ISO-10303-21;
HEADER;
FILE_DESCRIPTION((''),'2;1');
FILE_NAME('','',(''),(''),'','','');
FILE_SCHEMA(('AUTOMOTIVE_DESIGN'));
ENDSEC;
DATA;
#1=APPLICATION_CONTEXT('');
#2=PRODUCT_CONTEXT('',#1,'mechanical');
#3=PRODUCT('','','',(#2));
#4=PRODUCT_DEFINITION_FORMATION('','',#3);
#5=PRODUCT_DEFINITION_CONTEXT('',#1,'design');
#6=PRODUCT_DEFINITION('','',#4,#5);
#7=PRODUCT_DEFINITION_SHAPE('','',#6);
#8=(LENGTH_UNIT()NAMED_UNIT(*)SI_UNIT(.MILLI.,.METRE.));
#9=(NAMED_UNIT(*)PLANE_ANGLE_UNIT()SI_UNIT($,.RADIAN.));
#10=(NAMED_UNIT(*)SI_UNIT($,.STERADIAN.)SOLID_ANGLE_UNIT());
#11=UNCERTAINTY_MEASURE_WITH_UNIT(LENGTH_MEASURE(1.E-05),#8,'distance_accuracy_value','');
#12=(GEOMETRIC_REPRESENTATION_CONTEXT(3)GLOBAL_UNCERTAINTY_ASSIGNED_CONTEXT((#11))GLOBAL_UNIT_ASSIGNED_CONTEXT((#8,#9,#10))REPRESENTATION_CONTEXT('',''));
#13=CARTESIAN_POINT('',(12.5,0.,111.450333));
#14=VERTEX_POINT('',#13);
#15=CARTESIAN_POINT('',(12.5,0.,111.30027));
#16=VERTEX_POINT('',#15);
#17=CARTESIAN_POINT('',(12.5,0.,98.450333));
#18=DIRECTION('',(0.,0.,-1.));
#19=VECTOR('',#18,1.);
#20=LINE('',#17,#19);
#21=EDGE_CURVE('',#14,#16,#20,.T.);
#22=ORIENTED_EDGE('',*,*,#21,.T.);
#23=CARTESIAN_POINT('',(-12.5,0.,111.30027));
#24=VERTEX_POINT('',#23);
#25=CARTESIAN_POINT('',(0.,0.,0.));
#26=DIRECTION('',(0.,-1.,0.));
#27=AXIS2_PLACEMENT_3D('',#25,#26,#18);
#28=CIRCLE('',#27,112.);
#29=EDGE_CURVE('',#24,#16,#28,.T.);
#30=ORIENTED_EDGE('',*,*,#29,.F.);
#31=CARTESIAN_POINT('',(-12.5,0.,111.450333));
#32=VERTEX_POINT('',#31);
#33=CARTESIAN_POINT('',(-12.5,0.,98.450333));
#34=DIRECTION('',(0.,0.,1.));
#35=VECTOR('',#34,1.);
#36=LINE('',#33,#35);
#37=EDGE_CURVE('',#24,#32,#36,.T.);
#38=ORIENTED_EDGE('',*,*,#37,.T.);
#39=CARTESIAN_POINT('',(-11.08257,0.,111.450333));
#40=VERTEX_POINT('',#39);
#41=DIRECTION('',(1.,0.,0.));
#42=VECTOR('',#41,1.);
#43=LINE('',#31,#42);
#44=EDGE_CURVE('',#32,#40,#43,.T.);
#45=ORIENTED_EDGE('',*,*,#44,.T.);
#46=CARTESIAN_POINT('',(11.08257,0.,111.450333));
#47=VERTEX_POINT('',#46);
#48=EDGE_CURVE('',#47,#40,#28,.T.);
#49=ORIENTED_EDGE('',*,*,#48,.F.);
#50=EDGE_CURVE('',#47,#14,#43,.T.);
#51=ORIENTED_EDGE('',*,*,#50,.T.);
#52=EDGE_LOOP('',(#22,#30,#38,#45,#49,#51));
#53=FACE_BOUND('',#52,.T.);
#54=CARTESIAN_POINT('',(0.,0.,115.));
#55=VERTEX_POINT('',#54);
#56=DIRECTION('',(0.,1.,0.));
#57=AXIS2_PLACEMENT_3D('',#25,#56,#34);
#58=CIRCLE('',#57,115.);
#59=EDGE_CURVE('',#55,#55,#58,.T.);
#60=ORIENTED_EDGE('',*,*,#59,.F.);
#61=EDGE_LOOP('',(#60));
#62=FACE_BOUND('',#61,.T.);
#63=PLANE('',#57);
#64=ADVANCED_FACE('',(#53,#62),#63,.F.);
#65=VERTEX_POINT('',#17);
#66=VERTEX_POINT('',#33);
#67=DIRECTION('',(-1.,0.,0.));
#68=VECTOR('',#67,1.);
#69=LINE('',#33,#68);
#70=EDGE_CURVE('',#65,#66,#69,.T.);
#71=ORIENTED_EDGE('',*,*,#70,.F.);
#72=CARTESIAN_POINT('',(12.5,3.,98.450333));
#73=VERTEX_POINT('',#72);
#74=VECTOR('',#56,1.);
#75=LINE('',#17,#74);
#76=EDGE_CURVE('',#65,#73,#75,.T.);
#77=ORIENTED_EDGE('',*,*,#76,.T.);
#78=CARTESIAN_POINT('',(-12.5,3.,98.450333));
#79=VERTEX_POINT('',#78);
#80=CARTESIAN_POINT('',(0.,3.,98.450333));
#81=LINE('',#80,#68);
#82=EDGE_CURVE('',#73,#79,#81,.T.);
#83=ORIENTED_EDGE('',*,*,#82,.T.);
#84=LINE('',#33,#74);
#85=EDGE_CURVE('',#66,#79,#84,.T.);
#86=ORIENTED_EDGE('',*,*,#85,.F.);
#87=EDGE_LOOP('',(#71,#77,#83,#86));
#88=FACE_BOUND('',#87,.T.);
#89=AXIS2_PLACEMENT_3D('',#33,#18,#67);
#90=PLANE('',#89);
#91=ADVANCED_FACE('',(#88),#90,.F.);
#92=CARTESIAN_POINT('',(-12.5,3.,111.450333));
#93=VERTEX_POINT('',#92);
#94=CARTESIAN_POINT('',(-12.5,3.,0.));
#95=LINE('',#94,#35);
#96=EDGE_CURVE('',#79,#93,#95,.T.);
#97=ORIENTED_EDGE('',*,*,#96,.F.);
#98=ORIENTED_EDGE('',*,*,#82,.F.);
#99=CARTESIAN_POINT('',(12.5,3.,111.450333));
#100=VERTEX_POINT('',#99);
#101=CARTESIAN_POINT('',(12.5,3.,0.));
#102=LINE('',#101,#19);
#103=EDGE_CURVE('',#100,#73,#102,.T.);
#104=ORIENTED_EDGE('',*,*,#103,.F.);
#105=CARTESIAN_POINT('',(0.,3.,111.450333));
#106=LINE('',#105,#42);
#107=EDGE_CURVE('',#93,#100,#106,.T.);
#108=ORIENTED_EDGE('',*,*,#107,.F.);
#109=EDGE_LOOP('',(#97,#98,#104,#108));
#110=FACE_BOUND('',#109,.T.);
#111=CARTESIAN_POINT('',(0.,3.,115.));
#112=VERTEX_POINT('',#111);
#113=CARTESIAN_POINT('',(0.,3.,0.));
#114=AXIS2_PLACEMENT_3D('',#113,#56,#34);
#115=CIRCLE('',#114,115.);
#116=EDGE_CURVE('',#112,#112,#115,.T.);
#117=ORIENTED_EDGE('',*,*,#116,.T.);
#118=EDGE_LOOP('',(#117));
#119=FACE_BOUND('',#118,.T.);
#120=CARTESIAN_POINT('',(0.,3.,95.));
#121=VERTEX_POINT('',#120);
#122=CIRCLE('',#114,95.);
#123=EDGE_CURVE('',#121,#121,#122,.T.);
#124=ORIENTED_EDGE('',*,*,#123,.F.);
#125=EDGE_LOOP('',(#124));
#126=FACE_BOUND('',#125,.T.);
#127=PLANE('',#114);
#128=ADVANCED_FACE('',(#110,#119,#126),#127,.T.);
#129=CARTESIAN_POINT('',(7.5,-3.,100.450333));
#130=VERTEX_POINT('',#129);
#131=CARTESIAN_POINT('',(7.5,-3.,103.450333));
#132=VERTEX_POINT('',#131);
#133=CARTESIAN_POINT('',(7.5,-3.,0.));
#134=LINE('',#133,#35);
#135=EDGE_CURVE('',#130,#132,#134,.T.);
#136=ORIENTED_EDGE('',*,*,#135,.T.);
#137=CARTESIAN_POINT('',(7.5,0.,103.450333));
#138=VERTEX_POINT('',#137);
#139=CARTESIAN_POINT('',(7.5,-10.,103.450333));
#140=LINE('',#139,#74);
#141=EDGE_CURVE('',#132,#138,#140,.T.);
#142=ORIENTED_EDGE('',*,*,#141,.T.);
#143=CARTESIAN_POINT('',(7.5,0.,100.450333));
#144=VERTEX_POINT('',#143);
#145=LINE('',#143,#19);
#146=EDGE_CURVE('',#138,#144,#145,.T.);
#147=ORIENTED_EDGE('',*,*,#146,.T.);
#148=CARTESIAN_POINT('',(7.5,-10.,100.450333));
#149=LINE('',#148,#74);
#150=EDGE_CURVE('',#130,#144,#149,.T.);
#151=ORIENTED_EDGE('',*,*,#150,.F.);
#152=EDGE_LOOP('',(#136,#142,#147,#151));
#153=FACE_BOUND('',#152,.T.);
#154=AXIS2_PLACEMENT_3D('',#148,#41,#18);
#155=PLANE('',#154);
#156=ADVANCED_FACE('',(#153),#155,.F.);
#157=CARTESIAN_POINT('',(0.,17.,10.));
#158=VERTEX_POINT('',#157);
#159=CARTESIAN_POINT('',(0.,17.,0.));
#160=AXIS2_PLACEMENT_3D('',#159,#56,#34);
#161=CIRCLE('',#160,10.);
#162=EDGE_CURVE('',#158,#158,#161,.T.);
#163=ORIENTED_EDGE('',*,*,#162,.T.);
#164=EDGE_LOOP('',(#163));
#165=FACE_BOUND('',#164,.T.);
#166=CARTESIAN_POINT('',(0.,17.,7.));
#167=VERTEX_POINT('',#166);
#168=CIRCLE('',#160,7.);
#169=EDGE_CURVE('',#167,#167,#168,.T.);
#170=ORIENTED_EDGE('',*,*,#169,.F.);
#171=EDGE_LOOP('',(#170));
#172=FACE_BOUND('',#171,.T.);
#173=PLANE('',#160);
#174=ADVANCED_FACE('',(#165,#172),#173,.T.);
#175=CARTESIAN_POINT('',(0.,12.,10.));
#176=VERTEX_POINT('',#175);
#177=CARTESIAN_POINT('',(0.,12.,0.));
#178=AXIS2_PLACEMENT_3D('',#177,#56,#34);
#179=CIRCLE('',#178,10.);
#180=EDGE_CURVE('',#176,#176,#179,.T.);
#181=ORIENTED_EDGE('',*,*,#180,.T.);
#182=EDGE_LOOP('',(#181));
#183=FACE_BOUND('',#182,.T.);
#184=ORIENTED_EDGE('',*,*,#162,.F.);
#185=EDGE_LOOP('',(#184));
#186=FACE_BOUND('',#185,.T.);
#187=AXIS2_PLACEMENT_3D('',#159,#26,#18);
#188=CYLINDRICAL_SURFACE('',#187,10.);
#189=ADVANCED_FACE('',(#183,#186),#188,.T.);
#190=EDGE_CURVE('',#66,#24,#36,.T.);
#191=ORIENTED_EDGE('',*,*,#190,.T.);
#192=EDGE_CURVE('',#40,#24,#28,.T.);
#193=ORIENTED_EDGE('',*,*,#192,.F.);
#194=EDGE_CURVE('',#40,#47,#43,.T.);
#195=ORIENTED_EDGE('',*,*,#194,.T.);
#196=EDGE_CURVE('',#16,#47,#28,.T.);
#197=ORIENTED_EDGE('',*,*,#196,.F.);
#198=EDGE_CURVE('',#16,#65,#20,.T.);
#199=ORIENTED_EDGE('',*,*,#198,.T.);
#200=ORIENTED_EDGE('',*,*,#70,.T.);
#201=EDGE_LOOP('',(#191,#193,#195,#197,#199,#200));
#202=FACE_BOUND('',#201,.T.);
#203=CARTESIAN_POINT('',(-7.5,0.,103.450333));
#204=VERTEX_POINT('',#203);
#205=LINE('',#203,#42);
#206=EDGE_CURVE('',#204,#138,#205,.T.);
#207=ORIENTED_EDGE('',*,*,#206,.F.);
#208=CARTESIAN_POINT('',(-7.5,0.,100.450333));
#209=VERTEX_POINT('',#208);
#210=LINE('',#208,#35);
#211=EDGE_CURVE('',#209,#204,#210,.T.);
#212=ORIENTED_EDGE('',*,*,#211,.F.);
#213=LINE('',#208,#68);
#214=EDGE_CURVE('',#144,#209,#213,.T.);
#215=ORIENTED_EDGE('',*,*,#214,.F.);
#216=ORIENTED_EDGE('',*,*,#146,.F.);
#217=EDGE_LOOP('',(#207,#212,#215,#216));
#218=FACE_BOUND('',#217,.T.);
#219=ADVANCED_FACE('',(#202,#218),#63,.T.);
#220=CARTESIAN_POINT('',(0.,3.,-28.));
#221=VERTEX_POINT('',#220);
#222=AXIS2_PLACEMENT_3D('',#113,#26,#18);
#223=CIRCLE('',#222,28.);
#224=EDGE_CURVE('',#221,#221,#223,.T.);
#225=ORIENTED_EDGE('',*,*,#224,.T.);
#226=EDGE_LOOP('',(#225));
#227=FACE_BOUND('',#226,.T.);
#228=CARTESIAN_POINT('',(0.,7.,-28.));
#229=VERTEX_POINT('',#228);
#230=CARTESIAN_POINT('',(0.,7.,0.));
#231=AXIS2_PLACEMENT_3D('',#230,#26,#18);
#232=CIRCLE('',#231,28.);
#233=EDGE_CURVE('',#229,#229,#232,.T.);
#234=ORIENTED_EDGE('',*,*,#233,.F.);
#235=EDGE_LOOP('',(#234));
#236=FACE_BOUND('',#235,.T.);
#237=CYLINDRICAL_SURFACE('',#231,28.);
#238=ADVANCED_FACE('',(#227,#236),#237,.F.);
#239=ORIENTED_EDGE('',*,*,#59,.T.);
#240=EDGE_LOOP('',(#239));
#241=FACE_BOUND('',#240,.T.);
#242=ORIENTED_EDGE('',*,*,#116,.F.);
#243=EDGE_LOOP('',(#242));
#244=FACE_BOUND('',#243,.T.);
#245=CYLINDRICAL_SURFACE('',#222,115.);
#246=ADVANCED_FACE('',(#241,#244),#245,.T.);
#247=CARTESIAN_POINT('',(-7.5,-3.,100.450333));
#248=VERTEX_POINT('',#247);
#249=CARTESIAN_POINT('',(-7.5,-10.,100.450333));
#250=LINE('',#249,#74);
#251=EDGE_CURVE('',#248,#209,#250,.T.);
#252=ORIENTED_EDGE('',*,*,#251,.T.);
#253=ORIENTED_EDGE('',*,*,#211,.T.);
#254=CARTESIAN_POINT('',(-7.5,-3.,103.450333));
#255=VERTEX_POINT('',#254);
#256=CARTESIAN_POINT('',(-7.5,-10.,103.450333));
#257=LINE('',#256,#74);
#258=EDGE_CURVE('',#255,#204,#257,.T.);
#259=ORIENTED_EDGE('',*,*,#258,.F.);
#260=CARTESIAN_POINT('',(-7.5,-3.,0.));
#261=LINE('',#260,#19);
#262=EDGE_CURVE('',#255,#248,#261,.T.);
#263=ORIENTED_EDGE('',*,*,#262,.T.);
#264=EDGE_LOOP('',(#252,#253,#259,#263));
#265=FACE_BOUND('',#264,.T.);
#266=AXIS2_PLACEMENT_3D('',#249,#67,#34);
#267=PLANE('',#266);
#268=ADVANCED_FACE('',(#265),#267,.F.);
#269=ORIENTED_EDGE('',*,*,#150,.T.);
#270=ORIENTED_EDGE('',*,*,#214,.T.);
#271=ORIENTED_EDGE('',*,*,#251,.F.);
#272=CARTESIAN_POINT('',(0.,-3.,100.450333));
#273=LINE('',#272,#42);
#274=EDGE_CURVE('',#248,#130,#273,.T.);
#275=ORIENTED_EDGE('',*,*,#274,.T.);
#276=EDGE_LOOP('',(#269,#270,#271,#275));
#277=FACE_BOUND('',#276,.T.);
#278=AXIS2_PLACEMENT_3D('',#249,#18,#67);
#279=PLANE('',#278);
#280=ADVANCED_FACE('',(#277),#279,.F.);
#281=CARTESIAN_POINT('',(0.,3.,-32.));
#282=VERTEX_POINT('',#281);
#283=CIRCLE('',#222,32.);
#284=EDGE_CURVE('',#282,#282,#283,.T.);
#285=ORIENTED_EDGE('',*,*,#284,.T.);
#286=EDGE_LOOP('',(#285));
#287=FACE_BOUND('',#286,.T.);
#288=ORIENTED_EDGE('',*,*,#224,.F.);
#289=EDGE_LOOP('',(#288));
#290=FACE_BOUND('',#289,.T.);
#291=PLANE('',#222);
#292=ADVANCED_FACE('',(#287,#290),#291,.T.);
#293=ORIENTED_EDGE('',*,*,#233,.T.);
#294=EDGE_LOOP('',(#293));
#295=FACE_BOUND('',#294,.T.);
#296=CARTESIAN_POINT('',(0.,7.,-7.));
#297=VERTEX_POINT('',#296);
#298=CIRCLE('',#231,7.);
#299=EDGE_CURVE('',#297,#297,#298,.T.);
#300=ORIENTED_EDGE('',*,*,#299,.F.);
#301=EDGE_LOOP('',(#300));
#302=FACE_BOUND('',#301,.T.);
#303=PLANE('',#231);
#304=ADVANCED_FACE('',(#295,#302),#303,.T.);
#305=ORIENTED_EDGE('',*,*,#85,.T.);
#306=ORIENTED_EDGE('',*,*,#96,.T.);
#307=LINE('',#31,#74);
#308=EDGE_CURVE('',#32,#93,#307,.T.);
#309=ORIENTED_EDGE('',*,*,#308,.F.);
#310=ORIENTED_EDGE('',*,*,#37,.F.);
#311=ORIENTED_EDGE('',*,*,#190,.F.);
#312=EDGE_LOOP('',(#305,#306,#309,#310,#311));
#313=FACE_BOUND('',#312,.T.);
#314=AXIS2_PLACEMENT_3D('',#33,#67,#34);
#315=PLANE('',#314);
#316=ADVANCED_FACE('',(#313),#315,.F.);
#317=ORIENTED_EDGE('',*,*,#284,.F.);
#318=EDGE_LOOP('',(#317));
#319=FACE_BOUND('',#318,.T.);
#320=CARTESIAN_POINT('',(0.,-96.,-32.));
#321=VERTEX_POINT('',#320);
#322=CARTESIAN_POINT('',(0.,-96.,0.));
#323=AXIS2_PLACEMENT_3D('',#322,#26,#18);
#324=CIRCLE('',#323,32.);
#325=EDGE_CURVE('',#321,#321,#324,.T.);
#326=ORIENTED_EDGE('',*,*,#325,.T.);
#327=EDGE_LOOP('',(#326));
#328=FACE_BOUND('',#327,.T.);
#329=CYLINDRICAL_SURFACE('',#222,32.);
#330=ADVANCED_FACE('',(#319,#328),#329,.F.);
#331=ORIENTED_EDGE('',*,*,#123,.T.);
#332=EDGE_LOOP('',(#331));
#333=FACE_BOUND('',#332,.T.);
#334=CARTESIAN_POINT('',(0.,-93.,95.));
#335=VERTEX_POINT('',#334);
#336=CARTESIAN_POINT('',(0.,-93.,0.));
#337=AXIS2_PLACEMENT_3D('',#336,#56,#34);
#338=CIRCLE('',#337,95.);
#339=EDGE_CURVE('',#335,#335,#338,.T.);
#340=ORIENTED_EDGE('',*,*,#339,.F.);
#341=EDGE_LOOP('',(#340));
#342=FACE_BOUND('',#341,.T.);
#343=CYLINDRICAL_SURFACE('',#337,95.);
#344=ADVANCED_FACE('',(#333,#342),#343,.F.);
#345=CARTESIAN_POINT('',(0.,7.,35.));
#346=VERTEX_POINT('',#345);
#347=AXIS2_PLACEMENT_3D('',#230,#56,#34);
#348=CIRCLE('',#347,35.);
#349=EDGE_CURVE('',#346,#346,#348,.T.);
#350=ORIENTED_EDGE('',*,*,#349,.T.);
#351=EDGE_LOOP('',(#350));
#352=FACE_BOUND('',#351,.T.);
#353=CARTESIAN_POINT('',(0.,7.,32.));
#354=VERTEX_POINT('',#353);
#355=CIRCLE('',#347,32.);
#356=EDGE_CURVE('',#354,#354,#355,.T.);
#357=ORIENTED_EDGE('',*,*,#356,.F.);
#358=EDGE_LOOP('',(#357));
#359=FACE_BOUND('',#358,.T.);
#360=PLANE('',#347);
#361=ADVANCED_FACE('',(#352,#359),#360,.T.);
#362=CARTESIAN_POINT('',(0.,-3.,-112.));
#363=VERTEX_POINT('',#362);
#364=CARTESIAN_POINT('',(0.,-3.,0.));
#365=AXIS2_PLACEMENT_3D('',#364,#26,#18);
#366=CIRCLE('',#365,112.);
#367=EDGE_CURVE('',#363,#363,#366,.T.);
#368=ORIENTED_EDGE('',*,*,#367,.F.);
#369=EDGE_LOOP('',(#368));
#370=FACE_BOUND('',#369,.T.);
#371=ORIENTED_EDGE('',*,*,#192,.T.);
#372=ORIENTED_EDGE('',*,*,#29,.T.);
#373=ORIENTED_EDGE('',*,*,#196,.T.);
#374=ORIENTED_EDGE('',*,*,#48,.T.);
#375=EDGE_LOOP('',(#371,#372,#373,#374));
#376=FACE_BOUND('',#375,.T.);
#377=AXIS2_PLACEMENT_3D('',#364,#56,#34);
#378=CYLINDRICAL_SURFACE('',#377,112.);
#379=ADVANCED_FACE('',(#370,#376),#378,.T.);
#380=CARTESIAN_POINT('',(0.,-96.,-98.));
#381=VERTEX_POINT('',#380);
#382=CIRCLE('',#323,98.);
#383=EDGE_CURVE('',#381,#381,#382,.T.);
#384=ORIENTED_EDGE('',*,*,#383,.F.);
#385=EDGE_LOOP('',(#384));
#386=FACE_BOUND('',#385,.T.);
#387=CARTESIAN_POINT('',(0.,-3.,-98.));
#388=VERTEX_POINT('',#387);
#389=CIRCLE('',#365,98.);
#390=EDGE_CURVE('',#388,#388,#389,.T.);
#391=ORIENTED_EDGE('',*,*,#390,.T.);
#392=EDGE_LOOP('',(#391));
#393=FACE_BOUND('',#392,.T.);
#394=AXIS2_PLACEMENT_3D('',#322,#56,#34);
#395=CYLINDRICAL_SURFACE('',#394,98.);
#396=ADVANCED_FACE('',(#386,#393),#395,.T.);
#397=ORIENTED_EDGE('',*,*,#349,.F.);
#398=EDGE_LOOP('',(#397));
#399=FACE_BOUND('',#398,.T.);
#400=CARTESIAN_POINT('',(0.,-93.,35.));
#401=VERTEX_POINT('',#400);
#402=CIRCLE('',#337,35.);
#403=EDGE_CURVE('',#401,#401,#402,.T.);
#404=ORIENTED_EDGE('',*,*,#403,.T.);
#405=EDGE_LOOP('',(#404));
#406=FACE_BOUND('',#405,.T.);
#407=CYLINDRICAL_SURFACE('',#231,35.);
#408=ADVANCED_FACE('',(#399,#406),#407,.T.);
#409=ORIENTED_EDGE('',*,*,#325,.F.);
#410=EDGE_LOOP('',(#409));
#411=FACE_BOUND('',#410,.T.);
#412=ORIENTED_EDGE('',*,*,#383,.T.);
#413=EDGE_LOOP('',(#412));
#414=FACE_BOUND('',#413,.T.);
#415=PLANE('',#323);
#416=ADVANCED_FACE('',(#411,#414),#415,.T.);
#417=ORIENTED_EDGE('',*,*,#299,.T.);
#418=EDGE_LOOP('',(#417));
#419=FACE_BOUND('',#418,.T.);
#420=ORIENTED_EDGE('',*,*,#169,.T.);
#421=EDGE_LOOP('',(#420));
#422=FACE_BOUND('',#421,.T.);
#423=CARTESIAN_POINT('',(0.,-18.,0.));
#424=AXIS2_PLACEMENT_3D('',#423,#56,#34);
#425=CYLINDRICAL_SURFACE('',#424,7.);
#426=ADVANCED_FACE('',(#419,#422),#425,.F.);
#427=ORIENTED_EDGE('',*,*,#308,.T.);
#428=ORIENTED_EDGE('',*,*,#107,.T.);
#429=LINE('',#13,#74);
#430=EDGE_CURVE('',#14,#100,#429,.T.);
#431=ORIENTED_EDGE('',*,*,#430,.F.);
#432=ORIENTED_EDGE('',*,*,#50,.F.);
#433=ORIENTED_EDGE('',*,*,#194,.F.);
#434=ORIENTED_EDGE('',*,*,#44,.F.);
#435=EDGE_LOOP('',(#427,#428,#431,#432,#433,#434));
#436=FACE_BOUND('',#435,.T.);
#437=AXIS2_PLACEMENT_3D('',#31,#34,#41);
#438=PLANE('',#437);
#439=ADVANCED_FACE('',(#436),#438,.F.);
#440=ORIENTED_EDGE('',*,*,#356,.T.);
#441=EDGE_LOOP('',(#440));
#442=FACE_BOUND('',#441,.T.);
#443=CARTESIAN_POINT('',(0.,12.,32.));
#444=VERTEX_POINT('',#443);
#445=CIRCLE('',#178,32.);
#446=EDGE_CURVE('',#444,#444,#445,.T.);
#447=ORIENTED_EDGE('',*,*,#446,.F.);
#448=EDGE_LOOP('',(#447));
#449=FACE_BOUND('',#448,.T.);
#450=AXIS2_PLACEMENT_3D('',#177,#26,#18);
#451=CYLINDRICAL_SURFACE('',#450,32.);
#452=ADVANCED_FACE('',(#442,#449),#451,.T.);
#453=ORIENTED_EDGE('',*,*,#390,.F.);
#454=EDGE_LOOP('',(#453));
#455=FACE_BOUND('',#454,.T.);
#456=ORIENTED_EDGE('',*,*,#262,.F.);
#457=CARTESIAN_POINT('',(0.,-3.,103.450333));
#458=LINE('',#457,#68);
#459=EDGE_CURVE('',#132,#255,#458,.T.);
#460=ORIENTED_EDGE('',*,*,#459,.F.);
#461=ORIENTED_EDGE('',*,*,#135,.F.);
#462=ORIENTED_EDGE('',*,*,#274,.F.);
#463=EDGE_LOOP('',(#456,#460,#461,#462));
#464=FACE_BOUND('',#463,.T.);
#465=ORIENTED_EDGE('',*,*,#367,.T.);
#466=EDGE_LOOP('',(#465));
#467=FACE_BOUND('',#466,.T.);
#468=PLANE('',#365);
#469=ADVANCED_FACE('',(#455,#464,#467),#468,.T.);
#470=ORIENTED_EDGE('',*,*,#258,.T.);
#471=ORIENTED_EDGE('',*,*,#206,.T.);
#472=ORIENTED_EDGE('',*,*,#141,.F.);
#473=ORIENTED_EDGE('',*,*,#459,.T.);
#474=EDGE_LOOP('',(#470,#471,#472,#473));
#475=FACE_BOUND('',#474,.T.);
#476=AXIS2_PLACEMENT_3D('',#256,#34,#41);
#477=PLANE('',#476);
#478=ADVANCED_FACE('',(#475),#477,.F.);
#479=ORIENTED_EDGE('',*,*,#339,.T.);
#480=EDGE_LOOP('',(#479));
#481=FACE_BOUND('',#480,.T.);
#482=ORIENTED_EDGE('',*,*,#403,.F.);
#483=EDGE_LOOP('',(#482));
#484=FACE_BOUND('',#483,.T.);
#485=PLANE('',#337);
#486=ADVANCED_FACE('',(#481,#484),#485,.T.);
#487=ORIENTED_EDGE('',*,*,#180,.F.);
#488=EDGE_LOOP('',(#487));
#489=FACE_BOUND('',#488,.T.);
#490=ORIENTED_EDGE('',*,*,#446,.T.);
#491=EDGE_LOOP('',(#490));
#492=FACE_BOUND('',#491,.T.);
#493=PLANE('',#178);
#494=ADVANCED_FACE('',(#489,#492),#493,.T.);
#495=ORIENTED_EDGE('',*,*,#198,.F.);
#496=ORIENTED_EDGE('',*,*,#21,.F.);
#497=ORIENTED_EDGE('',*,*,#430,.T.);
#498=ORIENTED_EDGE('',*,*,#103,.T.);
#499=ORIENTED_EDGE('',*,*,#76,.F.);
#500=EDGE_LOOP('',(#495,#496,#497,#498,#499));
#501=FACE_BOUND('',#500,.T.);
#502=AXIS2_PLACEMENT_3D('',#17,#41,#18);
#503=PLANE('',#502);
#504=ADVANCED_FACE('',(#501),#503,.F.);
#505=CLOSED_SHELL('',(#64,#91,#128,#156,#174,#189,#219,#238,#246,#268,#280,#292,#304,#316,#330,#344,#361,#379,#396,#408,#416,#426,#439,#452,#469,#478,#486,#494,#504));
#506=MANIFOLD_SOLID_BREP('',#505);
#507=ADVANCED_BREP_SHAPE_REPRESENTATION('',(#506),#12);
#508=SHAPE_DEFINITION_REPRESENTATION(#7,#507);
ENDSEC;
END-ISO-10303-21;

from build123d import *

# Parameters (mm, degrees)
SKETCH2_R           = 115
BOSS_EXTRUDE1_DEPTH = 3
SKETCH3_R           = 112
BOSS_EXTRUDE2_DEPTH = 3
SKETCH4_R           = 98
BOSS_EXTRUDE3_DEPTH = 93
SKETCH5_R           = 95
CUT_EXTRUDE1_DEPTH  = 96
SKETCH6_R           = 35
BOSS_EXTRUDE4_DEPTH = 100
SKETCH7_R           = 32
BOSS_EXTRUDE5_DEPTH = 5
SKETCH8_R           = 32
CUT_EXTRUDE2_DEPTH  = 99
SKETCH9_R           = 28
CUT_EXTRUDE3_DEPTH  = 4
SKETCH10_R          = 10
BOSS_EXTRUDE8_DEPTH = 5
SKETCH11_R          = 7
CUT_EXTRUDE4_DEPTH  = 35
SKETCH13_W          = 25
SKETCH13_H          = 13
CUT_EXTRUDE5_DEPTH  = 10
SKETCH14_W          = 15
SKETCH14_H          = 3
CUT_EXTRUDE7_DEPTH  = 10


with BuildPart() as part:
    # Sketch2 → Boss-Extrude1 (new body)
    with BuildSketch(Plane(origin=(0, 0, 0), x_dir=(1, 0, 0), z_dir=(0, 1, 0))):
        with Locations(Location((0, 0, 0), (0, 0, 270))):
            Circle(SKETCH2_R)
    extrude(amount=BOSS_EXTRUDE1_DEPTH)

    # Sketch3 → Boss-Extrude2 (add)
    with BuildSketch(Plane(origin=(0, 0, 0), x_dir=(-1, 0, 0), z_dir=(0, -1, 0))):
        with Locations(Location((0, 0, 0), (0, 0, 90))):
            Circle(SKETCH3_R)
    extrude(amount=BOSS_EXTRUDE2_DEPTH)

    # Sketch4 → Boss-Extrude3 (add)
    with BuildSketch(Plane.XZ.offset(3)):
        with Locations(Location((0, 0, 0), (0, 0, 270))):
            Circle(SKETCH4_R)
    extrude(amount=BOSS_EXTRUDE3_DEPTH)

    # Sketch5 → Cut-Extrude1 (cut)
    with BuildSketch(Plane(origin=(0, 3, 0), x_dir=(1, 0, 0), z_dir=(0, 1, 0))):
        with Locations(Location((0, 0, 0), (0, 0, 270))):
            Circle(SKETCH5_R)
    extrude(amount=-CUT_EXTRUDE1_DEPTH, mode=Mode.SUBTRACT)

    # Sketch6 → Boss-Extrude4 (add)
    with BuildSketch(Plane(origin=(0, -93, 0), x_dir=(1, 0, 0), z_dir=(0, 1, 0))):
        with Locations(Location((0, 0, 0), (0, 0, 270))):
            Circle(SKETCH6_R)
    extrude(amount=BOSS_EXTRUDE4_DEPTH)

    # Sketch7 → Boss-Extrude5 (add)
    with BuildSketch(Plane(origin=(0, 7, 0), x_dir=(1, 0, 0), z_dir=(0, 1, 0))):
        with Locations(Location((0, 0, 0), (0, 0, 270))):
            Circle(SKETCH7_R)
    extrude(amount=BOSS_EXTRUDE5_DEPTH)

    # Sketch8 → Cut-Extrude2 (cut)
    with BuildSketch(Plane.XZ.offset(96)):
        with Locations(Location((0, 0, 0), (0, 0, 90))):
            Circle(SKETCH8_R)
    extrude(amount=-CUT_EXTRUDE2_DEPTH, mode=Mode.SUBTRACT)

    # Sketch9 → Cut-Extrude3 (cut)
    with BuildSketch(Plane.XZ.offset(-3)):
        with Locations(Location((0, 0, 0), (0, 0, 270))):
            Circle(SKETCH9_R)
    extrude(amount=-CUT_EXTRUDE3_DEPTH, mode=Mode.SUBTRACT)

    # Sketch10 → Boss-Extrude8 (add)
    with BuildSketch(Plane(origin=(0, 12, 0), x_dir=(1, 0, 0), z_dir=(0, 1, 0))):
        with Locations(Location((0, 0, 0), (0, 0, 270))):
            Circle(SKETCH10_R)
    extrude(amount=BOSS_EXTRUDE8_DEPTH)

    # Sketch11 → Cut-Extrude4 (cut)
    with BuildSketch(Plane(origin=(0, 17, 0), x_dir=(1, 0, 0), z_dir=(0, 1, 0))):
        with Locations(Location((0, 0, 0), (0, 0, 270))):
            Circle(SKETCH11_R)
    extrude(amount=-CUT_EXTRUDE4_DEPTH, mode=Mode.SUBTRACT)

    # Sketch13 → Cut-Extrude5 (cut)
    with BuildSketch(Plane(origin=(0, 10, 0), x_dir=(1, 0, 0), z_dir=(0, 1, 0))):
        with Locations((0, -104.95033264)):
            Rectangle(SKETCH13_W, SKETCH13_H)
    extrude(amount=-CUT_EXTRUDE5_DEPTH, mode=Mode.SUBTRACT)

    # Sketch14 → Cut-Extrude7 (cut)
    with BuildSketch(Plane(origin=(0, 0, 0), x_dir=(1, 0, 0), z_dir=(0, 1, 0))):
        with Locations((0, -101.95033264)):
            Rectangle(SKETCH14_W, SKETCH14_H)
    extrude(amount=-CUT_EXTRUDE7_DEPTH, mode=Mode.SUBTRACT)


solid = part.part
